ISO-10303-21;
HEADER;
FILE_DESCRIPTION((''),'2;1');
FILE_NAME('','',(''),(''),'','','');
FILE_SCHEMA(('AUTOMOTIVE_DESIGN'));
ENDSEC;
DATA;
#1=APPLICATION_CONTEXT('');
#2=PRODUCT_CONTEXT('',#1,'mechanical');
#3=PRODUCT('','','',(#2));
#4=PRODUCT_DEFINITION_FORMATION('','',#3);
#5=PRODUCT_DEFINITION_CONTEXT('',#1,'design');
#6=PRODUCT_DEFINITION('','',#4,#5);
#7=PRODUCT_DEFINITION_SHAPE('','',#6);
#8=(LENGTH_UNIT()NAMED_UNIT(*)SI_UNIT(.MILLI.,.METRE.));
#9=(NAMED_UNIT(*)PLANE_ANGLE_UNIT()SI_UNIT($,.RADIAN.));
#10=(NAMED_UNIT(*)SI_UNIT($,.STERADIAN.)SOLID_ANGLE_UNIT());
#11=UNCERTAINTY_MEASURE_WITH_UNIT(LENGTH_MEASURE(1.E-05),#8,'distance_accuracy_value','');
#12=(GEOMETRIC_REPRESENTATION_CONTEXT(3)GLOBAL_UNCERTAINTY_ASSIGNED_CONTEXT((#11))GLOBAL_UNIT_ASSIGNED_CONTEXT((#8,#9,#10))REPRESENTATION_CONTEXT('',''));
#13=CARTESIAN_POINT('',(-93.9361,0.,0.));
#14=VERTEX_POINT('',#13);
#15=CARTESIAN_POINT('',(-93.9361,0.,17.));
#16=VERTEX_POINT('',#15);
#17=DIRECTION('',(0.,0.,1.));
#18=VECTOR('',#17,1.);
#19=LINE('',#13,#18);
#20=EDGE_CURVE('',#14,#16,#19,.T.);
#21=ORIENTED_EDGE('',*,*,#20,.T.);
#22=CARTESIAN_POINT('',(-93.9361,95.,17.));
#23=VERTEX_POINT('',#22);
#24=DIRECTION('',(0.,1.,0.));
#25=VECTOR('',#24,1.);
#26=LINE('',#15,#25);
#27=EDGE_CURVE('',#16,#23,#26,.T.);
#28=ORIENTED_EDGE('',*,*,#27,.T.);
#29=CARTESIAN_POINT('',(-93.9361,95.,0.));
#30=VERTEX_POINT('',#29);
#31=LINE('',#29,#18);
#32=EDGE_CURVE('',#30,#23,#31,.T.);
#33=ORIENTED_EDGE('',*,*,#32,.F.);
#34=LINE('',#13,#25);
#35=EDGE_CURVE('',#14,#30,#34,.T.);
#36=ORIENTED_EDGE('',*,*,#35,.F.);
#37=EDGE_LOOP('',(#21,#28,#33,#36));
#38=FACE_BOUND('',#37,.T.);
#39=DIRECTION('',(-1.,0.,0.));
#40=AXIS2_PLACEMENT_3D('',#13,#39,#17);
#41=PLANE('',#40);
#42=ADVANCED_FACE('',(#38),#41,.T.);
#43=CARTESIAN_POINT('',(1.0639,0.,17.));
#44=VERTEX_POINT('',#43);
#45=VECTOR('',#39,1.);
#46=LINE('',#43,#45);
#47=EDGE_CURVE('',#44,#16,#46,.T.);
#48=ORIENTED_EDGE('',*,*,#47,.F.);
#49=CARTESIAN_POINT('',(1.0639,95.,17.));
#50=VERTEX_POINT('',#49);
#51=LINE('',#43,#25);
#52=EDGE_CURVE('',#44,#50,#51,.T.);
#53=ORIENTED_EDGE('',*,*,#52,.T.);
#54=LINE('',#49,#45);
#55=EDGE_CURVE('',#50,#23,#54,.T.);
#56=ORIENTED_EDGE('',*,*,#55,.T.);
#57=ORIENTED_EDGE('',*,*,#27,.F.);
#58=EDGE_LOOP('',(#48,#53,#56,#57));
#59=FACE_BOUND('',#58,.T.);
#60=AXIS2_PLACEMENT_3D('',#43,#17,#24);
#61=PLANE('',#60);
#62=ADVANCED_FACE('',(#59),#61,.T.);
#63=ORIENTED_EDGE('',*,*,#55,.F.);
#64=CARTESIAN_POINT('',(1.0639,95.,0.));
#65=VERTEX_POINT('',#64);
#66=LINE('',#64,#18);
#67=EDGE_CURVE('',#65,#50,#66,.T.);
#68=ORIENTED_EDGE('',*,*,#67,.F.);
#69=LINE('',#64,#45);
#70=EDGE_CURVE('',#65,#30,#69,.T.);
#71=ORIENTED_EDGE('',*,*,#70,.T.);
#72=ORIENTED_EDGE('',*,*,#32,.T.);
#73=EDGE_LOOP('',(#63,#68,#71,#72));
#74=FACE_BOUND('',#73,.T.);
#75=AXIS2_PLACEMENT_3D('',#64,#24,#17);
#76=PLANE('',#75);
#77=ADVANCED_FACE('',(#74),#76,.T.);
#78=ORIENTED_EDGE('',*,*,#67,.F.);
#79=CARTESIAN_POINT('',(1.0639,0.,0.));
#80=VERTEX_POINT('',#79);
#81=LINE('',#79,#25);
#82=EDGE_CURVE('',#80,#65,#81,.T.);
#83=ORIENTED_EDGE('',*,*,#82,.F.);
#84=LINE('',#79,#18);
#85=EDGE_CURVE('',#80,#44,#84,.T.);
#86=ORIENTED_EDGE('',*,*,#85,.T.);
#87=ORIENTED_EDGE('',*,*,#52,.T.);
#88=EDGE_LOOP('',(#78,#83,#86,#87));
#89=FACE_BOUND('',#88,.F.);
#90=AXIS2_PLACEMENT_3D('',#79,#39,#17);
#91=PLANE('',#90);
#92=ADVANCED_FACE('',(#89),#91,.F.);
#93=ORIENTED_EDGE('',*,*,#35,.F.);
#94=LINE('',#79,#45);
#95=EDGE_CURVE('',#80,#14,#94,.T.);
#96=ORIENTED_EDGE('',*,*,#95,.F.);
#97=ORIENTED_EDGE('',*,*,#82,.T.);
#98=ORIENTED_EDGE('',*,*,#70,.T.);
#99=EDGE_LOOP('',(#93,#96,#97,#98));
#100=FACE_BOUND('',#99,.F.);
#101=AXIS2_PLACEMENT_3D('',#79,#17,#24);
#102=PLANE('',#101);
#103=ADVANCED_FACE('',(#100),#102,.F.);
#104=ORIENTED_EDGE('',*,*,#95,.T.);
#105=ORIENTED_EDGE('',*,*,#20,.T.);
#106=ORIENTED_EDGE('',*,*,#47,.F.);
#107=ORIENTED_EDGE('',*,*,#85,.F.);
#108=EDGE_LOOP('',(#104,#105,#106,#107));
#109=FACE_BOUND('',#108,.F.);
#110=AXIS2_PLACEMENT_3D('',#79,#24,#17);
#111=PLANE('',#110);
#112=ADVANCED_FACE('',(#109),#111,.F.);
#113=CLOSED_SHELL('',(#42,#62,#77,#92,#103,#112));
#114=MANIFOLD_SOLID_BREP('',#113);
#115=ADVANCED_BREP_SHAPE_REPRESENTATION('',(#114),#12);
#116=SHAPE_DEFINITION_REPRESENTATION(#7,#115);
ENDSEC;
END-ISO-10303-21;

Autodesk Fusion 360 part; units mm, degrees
sketch "Sketch1" plane through (0, 0, 0) normal (0, 1, 0) x (1, 0, 0)
  line L0 (47.5, 47.5) -> (-47.5, 47.5)
  line L1 (-47.5, 47.5) -> (-47.5, -47.5)
  line L2 (-47.5, -47.5) -> (47.5, -47.5)
  line L3 (47.5, -47.5) -> (47.5, 47.5)
  line L4 (47.5, 47.5) -> (-47.5, -47.5) construction
  line L5 (-47.5, 47.5) -> (47.5, -47.5) construction
  dimension "d8" = 95
  dimension "d9" = 95
box "BoxPrimitive1" add length 95 width 95 height 17 placed x (0, 1, 0) y (-1, 0, 0) z (0, 0, 1) at (1.0639, 0, 0)
